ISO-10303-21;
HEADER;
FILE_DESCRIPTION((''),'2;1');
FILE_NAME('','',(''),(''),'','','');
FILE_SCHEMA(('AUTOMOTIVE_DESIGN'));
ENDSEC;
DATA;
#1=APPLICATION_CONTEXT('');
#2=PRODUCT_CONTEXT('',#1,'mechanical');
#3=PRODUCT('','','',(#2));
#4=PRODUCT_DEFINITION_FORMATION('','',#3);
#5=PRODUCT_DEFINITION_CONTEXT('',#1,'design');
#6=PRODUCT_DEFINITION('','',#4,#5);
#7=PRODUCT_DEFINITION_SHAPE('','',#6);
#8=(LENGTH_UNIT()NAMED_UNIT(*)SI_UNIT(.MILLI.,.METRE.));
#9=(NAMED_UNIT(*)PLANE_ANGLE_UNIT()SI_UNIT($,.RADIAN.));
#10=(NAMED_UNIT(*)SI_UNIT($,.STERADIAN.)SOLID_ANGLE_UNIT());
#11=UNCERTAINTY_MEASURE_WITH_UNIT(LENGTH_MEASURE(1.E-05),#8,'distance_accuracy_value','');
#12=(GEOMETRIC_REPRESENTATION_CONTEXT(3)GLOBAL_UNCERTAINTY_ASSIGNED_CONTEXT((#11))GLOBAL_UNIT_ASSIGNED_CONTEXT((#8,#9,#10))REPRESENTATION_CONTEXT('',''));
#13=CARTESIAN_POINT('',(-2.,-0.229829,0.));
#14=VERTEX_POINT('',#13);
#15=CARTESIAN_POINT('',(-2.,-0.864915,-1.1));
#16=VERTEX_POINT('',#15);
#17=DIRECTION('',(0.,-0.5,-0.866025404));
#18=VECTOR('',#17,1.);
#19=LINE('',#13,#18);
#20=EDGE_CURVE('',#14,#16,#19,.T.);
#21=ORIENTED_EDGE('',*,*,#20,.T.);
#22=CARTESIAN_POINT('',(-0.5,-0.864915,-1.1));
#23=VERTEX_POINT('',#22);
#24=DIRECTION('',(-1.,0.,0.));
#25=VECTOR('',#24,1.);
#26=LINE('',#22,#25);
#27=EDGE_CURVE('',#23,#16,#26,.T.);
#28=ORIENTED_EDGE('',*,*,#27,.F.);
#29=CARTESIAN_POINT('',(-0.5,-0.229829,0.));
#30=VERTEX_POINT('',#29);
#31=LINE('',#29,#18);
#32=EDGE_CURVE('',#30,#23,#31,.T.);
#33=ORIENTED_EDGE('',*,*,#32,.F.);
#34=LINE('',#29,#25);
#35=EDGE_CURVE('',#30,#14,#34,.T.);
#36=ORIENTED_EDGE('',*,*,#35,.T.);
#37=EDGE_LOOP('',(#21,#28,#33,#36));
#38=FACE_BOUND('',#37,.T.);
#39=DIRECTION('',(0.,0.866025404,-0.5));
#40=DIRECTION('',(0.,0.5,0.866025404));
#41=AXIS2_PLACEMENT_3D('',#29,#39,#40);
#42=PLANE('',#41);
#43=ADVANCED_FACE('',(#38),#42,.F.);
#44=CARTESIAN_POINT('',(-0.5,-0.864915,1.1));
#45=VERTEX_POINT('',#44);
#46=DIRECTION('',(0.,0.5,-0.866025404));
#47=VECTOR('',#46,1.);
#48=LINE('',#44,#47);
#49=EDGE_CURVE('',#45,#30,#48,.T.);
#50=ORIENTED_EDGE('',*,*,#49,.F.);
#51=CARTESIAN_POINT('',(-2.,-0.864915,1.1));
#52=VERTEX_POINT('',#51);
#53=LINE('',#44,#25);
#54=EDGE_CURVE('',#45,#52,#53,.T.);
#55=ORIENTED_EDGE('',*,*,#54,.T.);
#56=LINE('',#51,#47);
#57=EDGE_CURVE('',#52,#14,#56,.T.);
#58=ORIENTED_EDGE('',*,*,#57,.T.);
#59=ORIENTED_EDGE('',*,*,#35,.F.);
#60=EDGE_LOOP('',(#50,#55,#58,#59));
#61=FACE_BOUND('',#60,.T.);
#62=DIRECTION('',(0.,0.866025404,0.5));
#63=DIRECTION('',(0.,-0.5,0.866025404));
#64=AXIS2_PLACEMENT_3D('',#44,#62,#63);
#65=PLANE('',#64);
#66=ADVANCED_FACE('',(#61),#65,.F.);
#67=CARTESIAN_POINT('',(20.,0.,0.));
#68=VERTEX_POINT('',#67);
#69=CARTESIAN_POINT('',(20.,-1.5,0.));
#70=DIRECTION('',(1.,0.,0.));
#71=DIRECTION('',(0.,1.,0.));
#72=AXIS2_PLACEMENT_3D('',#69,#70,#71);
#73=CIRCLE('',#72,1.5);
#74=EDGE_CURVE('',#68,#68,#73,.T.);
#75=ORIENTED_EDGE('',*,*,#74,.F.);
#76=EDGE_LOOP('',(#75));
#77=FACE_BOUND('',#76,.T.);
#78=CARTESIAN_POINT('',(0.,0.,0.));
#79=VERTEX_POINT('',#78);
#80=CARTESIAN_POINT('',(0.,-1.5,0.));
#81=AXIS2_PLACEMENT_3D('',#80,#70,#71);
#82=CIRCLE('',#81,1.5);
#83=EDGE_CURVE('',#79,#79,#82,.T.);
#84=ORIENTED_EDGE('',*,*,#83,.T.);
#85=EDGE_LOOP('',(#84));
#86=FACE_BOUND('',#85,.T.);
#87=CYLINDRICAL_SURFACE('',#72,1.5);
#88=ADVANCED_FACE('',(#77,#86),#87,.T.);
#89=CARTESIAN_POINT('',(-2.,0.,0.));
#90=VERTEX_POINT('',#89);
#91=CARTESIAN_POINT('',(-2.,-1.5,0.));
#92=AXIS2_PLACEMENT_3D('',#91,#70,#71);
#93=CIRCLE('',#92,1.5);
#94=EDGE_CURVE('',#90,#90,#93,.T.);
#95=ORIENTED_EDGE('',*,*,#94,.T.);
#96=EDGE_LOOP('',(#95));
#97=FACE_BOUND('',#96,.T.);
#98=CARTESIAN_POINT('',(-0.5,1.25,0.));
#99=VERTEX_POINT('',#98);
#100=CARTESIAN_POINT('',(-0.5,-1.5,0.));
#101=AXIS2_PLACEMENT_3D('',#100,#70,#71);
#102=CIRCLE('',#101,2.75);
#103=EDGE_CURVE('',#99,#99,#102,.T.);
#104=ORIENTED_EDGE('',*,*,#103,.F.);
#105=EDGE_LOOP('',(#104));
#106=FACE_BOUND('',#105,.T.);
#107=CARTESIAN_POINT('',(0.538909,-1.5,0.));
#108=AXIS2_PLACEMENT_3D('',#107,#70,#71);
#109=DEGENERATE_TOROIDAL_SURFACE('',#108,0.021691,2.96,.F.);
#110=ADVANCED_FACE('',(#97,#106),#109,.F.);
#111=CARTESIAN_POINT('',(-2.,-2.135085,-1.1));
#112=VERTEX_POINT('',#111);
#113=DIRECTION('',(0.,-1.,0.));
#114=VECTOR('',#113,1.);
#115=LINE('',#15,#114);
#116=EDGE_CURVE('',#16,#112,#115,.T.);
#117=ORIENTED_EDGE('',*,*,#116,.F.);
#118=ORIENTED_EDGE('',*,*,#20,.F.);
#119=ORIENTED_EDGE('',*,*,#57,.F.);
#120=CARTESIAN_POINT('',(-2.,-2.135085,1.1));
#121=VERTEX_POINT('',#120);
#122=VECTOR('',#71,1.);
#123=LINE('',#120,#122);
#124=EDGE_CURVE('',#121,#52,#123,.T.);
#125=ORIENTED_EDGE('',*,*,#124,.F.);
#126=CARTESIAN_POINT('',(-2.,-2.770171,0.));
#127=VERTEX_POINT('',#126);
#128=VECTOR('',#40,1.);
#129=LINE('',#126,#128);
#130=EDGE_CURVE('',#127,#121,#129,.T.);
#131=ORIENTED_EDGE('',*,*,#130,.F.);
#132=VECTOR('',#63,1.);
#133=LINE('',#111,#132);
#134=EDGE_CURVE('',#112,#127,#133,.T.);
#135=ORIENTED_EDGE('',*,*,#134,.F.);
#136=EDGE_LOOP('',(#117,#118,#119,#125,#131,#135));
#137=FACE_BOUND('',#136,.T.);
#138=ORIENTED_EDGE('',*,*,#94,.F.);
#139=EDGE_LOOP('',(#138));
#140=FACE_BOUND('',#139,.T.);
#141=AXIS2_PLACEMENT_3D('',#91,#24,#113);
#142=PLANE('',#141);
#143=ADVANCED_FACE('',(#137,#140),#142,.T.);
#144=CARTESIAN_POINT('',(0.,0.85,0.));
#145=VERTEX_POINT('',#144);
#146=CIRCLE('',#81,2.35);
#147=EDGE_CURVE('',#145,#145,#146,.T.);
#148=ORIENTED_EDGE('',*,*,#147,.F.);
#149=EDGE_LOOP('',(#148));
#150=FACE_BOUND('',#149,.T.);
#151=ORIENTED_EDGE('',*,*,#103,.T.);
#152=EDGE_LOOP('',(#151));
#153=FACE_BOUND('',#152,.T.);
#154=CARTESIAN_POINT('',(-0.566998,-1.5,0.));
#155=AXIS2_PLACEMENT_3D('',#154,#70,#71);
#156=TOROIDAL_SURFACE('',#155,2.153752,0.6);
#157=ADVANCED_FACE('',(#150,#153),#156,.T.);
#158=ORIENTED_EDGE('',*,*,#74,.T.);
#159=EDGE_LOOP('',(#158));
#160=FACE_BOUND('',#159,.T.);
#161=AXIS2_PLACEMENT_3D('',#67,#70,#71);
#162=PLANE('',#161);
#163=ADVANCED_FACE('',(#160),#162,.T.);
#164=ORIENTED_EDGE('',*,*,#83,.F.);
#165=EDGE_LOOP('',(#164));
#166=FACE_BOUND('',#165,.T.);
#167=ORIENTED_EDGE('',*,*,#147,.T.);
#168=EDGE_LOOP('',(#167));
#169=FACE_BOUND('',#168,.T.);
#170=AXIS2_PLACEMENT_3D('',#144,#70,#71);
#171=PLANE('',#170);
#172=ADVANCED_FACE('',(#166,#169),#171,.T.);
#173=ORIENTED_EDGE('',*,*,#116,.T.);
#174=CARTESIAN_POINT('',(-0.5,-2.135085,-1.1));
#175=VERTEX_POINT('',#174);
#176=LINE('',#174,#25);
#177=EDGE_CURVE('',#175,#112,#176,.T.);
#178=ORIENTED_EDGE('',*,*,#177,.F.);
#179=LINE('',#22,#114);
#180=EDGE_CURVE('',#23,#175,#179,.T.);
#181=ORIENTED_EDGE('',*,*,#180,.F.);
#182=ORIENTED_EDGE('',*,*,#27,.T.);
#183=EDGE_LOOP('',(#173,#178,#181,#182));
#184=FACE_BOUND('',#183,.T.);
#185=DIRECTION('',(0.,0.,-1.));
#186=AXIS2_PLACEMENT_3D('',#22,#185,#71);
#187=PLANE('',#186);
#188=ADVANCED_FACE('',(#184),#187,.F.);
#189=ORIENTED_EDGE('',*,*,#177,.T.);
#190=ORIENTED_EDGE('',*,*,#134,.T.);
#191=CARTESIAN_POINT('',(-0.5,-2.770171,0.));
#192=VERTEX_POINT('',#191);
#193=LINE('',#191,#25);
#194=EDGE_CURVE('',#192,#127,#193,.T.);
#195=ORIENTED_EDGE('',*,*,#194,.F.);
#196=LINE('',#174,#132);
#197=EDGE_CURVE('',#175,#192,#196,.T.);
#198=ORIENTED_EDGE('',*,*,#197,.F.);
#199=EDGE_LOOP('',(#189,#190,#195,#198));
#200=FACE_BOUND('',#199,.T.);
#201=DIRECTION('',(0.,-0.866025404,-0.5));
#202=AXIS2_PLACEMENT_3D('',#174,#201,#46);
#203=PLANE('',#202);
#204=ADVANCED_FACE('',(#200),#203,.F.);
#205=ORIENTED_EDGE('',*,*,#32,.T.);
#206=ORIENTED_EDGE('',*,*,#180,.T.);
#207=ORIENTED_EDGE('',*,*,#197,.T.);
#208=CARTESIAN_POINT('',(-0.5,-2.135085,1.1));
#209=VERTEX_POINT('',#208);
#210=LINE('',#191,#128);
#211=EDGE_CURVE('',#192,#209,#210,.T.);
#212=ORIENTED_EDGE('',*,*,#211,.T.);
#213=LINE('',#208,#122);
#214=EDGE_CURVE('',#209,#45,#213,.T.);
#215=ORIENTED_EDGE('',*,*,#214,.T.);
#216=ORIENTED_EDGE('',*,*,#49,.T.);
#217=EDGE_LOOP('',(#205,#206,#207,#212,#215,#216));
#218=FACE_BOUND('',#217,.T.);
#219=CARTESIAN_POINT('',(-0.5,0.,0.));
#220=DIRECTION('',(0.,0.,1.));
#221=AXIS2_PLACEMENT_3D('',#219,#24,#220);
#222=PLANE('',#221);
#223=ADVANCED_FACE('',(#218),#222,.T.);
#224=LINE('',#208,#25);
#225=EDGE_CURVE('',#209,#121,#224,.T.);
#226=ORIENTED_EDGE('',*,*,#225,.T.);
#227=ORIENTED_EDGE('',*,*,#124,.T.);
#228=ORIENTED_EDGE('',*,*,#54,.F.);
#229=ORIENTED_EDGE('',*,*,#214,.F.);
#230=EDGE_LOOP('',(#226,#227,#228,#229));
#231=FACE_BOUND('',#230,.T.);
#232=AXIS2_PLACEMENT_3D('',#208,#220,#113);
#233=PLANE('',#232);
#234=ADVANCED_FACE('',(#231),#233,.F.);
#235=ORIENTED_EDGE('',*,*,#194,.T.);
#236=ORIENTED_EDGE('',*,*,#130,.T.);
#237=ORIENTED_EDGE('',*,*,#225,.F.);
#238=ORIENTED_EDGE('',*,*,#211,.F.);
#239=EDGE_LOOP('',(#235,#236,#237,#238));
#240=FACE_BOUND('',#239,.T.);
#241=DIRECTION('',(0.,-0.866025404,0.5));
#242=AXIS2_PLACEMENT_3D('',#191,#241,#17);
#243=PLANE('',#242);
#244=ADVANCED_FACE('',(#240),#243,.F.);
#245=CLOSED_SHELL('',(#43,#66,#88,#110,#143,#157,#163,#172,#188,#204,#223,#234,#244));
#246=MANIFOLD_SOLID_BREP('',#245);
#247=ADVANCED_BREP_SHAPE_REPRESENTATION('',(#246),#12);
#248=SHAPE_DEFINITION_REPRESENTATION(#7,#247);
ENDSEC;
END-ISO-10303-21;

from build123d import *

# Parameters (mm, degrees)
CUT_EXTRUDE1_DEPTH = 1.5


with BuildPart() as part:
    # Sketch1 → Revolve1 (revolve)
    with BuildSketch(Plane.XY):
        with BuildLine():
            Line((0, 0), (20, 0))
            Line((20, 0), (20, -1.5))
            Line((20, -1.5), (-2, -1.5))
            Line((-2, -1.5), (-2, 0))
            ThreePointArc((-2, 0), (-1.356037029, 0.752244435), (-0.5, 1.25))
            ThreePointArc((-0.5, 1.25), (-0.192181086, 1.122273642), (0, 0.85))
            Line((0, 0.85), (0, 0))
        make_face()
    revolve(axis=Axis((20, -1.5, 0), (-1, 0, 0)))

    # Sketch2 → Cut-Extrude1 (cut)
    with BuildSketch(Plane.ZY.offset(2)):
        Polygon((0, -0.229829408), (-1.1, -0.864914704), (-1.1, -2.135085296), (0, -2.770170592), (1.1, -2.135085296), (1.1, -0.864914704), align=None)
    extrude(amount=-CUT_EXTRUDE1_DEPTH, mode=Mode.SUBTRACT)


solid = part.part
